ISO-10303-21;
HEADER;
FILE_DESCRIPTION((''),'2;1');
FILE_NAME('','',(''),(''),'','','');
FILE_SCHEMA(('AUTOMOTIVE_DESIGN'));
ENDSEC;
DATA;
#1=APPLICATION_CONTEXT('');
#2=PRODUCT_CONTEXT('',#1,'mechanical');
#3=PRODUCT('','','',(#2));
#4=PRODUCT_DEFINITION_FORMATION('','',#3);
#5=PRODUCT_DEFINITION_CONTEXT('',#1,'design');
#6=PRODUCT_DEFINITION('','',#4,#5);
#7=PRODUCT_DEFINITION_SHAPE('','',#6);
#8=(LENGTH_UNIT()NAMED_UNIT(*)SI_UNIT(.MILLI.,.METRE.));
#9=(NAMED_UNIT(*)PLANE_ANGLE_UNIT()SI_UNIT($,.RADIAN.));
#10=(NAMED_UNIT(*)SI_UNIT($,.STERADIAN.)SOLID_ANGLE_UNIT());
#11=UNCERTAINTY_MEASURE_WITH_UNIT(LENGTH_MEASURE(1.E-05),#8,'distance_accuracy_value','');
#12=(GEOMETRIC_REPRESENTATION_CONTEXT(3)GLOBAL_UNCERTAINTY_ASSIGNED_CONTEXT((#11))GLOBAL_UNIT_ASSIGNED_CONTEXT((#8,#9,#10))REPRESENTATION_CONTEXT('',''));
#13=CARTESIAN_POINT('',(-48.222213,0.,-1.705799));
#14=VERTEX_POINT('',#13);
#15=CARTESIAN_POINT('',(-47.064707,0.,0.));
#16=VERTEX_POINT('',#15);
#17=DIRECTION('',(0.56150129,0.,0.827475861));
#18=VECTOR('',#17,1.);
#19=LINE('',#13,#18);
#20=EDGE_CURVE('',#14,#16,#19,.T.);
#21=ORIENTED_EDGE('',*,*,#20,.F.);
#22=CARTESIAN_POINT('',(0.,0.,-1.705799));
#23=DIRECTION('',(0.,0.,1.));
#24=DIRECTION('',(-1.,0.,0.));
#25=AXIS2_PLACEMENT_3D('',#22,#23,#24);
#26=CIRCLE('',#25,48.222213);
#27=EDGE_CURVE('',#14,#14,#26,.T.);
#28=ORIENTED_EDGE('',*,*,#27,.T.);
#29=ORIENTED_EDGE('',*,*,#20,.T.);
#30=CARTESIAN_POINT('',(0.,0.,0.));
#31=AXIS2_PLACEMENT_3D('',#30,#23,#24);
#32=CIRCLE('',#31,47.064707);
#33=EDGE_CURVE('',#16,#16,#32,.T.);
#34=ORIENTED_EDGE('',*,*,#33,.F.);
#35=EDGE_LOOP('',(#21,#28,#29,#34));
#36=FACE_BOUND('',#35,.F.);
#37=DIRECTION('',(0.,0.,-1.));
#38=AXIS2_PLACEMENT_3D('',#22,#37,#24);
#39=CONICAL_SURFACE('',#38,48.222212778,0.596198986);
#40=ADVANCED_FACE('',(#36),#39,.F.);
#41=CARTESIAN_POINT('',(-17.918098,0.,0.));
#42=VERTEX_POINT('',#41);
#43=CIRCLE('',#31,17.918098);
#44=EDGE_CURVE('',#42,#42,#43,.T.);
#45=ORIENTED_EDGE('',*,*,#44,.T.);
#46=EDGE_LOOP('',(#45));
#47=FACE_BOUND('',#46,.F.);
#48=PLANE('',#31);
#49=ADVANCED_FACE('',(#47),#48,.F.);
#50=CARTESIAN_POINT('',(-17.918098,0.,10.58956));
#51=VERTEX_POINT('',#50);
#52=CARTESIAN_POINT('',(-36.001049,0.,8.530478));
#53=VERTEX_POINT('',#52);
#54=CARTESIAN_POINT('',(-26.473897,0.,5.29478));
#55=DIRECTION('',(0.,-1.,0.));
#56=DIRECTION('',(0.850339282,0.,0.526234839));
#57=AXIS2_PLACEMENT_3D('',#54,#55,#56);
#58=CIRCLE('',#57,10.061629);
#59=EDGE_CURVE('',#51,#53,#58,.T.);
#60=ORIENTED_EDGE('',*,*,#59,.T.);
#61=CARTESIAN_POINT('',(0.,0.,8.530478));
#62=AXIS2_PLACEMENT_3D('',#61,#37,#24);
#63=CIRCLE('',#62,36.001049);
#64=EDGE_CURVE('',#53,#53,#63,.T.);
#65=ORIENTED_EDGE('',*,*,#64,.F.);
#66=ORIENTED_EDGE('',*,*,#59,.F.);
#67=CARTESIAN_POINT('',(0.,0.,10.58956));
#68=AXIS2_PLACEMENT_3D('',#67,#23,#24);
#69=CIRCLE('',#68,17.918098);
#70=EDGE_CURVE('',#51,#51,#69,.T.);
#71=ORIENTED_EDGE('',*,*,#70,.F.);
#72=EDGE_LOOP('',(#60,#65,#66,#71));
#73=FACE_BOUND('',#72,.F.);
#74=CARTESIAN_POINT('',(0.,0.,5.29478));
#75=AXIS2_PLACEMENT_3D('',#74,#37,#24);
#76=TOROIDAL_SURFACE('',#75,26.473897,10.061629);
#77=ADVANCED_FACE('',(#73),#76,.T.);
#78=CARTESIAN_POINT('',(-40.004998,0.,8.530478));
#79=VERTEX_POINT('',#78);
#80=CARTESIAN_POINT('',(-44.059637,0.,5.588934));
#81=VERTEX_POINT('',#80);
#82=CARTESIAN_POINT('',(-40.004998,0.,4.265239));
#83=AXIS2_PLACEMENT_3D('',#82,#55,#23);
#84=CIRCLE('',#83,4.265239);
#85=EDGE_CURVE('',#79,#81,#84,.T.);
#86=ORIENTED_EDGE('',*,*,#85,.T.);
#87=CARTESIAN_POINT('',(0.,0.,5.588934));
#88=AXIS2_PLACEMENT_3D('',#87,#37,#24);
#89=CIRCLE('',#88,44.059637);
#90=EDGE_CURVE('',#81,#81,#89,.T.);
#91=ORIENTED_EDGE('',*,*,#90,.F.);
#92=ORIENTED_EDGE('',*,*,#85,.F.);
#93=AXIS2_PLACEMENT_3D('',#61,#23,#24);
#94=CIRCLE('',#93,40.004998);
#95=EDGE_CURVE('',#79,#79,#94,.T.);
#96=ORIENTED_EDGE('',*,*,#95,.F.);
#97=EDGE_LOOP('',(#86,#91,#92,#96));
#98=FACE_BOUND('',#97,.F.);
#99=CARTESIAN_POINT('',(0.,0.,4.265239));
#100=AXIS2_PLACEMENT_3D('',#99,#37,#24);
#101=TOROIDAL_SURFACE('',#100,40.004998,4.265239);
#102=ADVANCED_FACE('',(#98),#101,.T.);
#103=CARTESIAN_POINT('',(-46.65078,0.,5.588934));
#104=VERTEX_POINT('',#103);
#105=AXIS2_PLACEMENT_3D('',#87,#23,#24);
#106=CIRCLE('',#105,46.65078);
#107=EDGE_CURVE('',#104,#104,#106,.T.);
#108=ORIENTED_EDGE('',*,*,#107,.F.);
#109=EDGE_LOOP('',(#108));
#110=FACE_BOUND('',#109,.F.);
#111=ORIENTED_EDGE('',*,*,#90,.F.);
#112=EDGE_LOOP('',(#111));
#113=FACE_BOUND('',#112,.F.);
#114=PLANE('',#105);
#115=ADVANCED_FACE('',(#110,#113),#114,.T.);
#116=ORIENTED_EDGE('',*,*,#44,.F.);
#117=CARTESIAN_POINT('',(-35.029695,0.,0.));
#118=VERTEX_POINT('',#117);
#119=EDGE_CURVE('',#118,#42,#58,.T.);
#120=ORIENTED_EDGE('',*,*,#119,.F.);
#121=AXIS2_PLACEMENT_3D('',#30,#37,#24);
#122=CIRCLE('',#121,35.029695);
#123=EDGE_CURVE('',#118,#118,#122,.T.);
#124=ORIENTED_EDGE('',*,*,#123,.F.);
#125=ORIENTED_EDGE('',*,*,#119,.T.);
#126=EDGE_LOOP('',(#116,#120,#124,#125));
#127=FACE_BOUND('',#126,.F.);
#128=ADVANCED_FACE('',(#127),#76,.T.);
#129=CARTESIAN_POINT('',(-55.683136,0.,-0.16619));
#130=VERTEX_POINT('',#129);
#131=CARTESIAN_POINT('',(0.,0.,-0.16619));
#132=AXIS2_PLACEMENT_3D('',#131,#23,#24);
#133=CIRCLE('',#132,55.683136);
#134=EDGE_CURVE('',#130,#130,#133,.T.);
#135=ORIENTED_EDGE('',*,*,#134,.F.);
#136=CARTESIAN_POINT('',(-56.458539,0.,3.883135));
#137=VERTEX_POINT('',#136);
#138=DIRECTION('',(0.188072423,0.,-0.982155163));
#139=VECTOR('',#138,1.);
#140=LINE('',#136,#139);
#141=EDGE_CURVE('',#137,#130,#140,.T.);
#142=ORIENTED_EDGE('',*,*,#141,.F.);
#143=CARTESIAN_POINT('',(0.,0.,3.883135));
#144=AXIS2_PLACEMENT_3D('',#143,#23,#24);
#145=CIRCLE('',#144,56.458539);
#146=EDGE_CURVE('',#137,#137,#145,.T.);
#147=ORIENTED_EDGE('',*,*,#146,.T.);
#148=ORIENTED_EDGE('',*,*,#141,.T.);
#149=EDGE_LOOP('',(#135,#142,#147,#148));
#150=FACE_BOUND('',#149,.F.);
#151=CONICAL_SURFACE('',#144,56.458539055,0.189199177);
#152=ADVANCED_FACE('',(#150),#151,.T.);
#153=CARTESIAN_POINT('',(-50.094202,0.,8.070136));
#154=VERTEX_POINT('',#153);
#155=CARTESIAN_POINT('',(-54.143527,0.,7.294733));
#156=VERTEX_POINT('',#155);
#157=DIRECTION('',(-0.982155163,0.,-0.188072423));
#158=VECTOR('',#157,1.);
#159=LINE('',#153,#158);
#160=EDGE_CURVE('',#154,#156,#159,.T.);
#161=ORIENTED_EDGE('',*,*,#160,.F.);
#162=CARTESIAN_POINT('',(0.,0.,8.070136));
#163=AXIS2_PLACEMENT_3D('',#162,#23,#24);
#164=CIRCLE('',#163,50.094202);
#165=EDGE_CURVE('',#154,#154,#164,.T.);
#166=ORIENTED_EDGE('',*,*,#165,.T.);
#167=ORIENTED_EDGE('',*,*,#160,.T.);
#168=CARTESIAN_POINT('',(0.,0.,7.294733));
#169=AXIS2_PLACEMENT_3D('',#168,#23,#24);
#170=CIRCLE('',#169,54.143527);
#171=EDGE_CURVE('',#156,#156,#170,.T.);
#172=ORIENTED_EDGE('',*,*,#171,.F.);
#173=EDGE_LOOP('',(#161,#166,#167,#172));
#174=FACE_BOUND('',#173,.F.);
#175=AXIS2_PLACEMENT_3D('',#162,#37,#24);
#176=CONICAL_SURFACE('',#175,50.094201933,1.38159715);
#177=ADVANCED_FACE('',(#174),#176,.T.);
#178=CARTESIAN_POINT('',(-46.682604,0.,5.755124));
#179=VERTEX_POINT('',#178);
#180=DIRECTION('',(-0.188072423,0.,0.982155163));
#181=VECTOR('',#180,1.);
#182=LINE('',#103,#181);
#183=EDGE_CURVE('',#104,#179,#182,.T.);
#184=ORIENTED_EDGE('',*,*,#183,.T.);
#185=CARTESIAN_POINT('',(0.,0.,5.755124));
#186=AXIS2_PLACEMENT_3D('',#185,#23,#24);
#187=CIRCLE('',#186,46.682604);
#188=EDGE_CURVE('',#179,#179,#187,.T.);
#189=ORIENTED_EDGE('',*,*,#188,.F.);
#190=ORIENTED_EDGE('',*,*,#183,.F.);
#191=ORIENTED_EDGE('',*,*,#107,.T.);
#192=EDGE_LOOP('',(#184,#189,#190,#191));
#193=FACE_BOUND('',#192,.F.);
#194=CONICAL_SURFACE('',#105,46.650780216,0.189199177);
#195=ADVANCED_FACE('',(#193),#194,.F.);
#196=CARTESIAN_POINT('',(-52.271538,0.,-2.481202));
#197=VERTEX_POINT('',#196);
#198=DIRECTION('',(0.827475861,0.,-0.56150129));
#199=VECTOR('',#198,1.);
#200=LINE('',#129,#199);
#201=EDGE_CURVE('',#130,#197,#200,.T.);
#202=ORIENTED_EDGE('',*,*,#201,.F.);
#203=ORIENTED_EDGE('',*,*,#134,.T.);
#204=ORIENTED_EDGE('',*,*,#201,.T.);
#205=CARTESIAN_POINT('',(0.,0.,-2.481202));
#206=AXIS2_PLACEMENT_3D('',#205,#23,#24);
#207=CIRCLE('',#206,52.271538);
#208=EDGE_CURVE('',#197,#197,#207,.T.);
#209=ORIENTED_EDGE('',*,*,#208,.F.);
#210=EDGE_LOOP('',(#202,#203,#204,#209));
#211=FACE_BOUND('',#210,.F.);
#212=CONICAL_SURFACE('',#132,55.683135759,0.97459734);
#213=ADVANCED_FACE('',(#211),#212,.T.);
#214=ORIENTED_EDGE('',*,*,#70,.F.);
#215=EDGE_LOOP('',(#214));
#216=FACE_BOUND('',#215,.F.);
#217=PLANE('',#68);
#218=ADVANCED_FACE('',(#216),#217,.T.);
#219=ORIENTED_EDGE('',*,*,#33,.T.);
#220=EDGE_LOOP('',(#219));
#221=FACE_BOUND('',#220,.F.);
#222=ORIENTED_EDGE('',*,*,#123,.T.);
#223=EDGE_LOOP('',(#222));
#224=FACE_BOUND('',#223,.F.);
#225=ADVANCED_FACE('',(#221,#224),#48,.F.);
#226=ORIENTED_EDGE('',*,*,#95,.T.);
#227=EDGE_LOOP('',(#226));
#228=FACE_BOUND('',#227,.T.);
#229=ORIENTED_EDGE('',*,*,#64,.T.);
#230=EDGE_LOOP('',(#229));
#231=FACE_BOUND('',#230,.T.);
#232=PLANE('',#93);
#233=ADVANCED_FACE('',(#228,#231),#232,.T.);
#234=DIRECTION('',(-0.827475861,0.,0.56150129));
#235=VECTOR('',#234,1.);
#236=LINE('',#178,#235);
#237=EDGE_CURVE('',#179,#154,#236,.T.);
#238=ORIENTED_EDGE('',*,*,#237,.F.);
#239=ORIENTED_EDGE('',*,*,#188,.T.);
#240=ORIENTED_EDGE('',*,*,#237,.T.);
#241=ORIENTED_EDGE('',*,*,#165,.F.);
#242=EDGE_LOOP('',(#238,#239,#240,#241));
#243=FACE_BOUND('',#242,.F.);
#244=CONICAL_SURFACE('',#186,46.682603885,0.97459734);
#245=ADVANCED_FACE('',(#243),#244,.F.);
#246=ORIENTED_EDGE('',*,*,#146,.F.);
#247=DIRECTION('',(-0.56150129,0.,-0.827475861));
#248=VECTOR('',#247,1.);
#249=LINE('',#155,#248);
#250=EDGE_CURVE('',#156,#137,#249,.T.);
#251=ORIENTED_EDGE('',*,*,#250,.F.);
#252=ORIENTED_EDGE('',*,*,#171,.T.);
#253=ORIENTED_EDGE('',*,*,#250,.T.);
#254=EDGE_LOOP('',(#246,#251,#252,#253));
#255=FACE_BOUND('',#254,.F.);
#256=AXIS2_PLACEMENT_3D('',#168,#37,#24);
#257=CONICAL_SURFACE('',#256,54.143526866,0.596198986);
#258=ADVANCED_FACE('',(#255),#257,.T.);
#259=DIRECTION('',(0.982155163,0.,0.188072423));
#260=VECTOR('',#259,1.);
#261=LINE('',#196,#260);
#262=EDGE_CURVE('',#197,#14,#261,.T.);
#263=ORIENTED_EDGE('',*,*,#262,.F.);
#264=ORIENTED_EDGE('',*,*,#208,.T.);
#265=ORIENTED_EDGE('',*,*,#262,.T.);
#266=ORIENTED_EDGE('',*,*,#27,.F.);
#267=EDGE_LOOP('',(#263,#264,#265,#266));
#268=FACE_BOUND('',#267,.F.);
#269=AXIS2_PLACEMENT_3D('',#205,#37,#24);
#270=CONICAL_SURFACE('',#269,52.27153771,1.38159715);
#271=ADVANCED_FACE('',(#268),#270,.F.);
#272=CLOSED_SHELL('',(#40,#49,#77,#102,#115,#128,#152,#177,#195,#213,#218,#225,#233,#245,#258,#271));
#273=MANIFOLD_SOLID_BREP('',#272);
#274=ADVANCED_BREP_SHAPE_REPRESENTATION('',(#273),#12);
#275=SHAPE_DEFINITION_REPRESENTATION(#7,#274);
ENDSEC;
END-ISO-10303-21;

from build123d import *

# Parameters (mm, degrees)
F2_W = 40.0049984455
F2_H = 8.5304779932


with BuildPart() as f1:
    # F0 (on Front) → F1 (revolve)
    with BuildSketch(Plane.XZ):
        with BuildLine():
            Line((-17.918098104, 0), (0, 0))
            Line((0, 0), (0, 10.5895595625))
            Line((0, 10.5895595625), (-17.918098104, 10.5895595625))
            ThreePointArc((-17.918098104, 10.5895595625), (-36.5355256935, 5.2947797813), (-17.918098104, 0))
        make_face()
    revolve(axis=Axis((0, 0, 5.2947797813), (0, 0, 1)))

    # F2 (on Front) → F3 (revolve)
    with BuildSketch(Plane.XZ):
        with Locations((-20.0024992228, 4.2652389966)):
            Rectangle(F2_W, F2_H)
        with BuildLine():
            ThreePointArc((-40.0049984455, 8.5304779932), (-44.2702374421, 4.2652389966), (-40.0049984455, 0))
            Line((-40.0049984455, 0), (-40.0049984455, 8.5304779932))
        make_face()
    revolve(axis=Axis((0, 0, 4.2652389966), (0, 0, 1)))

    # F4 (on Front) → F5 (revolve)
    with BuildSketch(Plane.XZ):
        Polygon((-47.0647066832, 0), (0, 0), (0, 5.5889338255), (-46.6507802162, 5.5889338255), (-45.9072005883, 1.7057990241), align=None)
        Polygon((-48.222212778, -1.7057990241), (-47.0647066832, 0), (-51.1828698218, 0), (-51.1828698218, 5.5889338255), (-46.6507802162, 5.5889338255), (-46.682603885, 5.7551239565), (-50.0942019331, 8.0701361462), (-54.1435268656, 7.2947328496), (-56.4585390553, 3.8831348014), (-55.6831357586, -0.166190131), (-52.2715377104, -2.4812023207), align=None)
        Polygon((-51.1828698218, 0), (-47.0647066832, 0), (-45.9072005883, 1.7057990241), (-46.6507802162, 5.5889338255), (-51.1828698218, 5.5889338255), align=None)
    revolve(axis=Axis((0, 0, 2.7944669127), (0, 0, 1)))


solid = f1.part
